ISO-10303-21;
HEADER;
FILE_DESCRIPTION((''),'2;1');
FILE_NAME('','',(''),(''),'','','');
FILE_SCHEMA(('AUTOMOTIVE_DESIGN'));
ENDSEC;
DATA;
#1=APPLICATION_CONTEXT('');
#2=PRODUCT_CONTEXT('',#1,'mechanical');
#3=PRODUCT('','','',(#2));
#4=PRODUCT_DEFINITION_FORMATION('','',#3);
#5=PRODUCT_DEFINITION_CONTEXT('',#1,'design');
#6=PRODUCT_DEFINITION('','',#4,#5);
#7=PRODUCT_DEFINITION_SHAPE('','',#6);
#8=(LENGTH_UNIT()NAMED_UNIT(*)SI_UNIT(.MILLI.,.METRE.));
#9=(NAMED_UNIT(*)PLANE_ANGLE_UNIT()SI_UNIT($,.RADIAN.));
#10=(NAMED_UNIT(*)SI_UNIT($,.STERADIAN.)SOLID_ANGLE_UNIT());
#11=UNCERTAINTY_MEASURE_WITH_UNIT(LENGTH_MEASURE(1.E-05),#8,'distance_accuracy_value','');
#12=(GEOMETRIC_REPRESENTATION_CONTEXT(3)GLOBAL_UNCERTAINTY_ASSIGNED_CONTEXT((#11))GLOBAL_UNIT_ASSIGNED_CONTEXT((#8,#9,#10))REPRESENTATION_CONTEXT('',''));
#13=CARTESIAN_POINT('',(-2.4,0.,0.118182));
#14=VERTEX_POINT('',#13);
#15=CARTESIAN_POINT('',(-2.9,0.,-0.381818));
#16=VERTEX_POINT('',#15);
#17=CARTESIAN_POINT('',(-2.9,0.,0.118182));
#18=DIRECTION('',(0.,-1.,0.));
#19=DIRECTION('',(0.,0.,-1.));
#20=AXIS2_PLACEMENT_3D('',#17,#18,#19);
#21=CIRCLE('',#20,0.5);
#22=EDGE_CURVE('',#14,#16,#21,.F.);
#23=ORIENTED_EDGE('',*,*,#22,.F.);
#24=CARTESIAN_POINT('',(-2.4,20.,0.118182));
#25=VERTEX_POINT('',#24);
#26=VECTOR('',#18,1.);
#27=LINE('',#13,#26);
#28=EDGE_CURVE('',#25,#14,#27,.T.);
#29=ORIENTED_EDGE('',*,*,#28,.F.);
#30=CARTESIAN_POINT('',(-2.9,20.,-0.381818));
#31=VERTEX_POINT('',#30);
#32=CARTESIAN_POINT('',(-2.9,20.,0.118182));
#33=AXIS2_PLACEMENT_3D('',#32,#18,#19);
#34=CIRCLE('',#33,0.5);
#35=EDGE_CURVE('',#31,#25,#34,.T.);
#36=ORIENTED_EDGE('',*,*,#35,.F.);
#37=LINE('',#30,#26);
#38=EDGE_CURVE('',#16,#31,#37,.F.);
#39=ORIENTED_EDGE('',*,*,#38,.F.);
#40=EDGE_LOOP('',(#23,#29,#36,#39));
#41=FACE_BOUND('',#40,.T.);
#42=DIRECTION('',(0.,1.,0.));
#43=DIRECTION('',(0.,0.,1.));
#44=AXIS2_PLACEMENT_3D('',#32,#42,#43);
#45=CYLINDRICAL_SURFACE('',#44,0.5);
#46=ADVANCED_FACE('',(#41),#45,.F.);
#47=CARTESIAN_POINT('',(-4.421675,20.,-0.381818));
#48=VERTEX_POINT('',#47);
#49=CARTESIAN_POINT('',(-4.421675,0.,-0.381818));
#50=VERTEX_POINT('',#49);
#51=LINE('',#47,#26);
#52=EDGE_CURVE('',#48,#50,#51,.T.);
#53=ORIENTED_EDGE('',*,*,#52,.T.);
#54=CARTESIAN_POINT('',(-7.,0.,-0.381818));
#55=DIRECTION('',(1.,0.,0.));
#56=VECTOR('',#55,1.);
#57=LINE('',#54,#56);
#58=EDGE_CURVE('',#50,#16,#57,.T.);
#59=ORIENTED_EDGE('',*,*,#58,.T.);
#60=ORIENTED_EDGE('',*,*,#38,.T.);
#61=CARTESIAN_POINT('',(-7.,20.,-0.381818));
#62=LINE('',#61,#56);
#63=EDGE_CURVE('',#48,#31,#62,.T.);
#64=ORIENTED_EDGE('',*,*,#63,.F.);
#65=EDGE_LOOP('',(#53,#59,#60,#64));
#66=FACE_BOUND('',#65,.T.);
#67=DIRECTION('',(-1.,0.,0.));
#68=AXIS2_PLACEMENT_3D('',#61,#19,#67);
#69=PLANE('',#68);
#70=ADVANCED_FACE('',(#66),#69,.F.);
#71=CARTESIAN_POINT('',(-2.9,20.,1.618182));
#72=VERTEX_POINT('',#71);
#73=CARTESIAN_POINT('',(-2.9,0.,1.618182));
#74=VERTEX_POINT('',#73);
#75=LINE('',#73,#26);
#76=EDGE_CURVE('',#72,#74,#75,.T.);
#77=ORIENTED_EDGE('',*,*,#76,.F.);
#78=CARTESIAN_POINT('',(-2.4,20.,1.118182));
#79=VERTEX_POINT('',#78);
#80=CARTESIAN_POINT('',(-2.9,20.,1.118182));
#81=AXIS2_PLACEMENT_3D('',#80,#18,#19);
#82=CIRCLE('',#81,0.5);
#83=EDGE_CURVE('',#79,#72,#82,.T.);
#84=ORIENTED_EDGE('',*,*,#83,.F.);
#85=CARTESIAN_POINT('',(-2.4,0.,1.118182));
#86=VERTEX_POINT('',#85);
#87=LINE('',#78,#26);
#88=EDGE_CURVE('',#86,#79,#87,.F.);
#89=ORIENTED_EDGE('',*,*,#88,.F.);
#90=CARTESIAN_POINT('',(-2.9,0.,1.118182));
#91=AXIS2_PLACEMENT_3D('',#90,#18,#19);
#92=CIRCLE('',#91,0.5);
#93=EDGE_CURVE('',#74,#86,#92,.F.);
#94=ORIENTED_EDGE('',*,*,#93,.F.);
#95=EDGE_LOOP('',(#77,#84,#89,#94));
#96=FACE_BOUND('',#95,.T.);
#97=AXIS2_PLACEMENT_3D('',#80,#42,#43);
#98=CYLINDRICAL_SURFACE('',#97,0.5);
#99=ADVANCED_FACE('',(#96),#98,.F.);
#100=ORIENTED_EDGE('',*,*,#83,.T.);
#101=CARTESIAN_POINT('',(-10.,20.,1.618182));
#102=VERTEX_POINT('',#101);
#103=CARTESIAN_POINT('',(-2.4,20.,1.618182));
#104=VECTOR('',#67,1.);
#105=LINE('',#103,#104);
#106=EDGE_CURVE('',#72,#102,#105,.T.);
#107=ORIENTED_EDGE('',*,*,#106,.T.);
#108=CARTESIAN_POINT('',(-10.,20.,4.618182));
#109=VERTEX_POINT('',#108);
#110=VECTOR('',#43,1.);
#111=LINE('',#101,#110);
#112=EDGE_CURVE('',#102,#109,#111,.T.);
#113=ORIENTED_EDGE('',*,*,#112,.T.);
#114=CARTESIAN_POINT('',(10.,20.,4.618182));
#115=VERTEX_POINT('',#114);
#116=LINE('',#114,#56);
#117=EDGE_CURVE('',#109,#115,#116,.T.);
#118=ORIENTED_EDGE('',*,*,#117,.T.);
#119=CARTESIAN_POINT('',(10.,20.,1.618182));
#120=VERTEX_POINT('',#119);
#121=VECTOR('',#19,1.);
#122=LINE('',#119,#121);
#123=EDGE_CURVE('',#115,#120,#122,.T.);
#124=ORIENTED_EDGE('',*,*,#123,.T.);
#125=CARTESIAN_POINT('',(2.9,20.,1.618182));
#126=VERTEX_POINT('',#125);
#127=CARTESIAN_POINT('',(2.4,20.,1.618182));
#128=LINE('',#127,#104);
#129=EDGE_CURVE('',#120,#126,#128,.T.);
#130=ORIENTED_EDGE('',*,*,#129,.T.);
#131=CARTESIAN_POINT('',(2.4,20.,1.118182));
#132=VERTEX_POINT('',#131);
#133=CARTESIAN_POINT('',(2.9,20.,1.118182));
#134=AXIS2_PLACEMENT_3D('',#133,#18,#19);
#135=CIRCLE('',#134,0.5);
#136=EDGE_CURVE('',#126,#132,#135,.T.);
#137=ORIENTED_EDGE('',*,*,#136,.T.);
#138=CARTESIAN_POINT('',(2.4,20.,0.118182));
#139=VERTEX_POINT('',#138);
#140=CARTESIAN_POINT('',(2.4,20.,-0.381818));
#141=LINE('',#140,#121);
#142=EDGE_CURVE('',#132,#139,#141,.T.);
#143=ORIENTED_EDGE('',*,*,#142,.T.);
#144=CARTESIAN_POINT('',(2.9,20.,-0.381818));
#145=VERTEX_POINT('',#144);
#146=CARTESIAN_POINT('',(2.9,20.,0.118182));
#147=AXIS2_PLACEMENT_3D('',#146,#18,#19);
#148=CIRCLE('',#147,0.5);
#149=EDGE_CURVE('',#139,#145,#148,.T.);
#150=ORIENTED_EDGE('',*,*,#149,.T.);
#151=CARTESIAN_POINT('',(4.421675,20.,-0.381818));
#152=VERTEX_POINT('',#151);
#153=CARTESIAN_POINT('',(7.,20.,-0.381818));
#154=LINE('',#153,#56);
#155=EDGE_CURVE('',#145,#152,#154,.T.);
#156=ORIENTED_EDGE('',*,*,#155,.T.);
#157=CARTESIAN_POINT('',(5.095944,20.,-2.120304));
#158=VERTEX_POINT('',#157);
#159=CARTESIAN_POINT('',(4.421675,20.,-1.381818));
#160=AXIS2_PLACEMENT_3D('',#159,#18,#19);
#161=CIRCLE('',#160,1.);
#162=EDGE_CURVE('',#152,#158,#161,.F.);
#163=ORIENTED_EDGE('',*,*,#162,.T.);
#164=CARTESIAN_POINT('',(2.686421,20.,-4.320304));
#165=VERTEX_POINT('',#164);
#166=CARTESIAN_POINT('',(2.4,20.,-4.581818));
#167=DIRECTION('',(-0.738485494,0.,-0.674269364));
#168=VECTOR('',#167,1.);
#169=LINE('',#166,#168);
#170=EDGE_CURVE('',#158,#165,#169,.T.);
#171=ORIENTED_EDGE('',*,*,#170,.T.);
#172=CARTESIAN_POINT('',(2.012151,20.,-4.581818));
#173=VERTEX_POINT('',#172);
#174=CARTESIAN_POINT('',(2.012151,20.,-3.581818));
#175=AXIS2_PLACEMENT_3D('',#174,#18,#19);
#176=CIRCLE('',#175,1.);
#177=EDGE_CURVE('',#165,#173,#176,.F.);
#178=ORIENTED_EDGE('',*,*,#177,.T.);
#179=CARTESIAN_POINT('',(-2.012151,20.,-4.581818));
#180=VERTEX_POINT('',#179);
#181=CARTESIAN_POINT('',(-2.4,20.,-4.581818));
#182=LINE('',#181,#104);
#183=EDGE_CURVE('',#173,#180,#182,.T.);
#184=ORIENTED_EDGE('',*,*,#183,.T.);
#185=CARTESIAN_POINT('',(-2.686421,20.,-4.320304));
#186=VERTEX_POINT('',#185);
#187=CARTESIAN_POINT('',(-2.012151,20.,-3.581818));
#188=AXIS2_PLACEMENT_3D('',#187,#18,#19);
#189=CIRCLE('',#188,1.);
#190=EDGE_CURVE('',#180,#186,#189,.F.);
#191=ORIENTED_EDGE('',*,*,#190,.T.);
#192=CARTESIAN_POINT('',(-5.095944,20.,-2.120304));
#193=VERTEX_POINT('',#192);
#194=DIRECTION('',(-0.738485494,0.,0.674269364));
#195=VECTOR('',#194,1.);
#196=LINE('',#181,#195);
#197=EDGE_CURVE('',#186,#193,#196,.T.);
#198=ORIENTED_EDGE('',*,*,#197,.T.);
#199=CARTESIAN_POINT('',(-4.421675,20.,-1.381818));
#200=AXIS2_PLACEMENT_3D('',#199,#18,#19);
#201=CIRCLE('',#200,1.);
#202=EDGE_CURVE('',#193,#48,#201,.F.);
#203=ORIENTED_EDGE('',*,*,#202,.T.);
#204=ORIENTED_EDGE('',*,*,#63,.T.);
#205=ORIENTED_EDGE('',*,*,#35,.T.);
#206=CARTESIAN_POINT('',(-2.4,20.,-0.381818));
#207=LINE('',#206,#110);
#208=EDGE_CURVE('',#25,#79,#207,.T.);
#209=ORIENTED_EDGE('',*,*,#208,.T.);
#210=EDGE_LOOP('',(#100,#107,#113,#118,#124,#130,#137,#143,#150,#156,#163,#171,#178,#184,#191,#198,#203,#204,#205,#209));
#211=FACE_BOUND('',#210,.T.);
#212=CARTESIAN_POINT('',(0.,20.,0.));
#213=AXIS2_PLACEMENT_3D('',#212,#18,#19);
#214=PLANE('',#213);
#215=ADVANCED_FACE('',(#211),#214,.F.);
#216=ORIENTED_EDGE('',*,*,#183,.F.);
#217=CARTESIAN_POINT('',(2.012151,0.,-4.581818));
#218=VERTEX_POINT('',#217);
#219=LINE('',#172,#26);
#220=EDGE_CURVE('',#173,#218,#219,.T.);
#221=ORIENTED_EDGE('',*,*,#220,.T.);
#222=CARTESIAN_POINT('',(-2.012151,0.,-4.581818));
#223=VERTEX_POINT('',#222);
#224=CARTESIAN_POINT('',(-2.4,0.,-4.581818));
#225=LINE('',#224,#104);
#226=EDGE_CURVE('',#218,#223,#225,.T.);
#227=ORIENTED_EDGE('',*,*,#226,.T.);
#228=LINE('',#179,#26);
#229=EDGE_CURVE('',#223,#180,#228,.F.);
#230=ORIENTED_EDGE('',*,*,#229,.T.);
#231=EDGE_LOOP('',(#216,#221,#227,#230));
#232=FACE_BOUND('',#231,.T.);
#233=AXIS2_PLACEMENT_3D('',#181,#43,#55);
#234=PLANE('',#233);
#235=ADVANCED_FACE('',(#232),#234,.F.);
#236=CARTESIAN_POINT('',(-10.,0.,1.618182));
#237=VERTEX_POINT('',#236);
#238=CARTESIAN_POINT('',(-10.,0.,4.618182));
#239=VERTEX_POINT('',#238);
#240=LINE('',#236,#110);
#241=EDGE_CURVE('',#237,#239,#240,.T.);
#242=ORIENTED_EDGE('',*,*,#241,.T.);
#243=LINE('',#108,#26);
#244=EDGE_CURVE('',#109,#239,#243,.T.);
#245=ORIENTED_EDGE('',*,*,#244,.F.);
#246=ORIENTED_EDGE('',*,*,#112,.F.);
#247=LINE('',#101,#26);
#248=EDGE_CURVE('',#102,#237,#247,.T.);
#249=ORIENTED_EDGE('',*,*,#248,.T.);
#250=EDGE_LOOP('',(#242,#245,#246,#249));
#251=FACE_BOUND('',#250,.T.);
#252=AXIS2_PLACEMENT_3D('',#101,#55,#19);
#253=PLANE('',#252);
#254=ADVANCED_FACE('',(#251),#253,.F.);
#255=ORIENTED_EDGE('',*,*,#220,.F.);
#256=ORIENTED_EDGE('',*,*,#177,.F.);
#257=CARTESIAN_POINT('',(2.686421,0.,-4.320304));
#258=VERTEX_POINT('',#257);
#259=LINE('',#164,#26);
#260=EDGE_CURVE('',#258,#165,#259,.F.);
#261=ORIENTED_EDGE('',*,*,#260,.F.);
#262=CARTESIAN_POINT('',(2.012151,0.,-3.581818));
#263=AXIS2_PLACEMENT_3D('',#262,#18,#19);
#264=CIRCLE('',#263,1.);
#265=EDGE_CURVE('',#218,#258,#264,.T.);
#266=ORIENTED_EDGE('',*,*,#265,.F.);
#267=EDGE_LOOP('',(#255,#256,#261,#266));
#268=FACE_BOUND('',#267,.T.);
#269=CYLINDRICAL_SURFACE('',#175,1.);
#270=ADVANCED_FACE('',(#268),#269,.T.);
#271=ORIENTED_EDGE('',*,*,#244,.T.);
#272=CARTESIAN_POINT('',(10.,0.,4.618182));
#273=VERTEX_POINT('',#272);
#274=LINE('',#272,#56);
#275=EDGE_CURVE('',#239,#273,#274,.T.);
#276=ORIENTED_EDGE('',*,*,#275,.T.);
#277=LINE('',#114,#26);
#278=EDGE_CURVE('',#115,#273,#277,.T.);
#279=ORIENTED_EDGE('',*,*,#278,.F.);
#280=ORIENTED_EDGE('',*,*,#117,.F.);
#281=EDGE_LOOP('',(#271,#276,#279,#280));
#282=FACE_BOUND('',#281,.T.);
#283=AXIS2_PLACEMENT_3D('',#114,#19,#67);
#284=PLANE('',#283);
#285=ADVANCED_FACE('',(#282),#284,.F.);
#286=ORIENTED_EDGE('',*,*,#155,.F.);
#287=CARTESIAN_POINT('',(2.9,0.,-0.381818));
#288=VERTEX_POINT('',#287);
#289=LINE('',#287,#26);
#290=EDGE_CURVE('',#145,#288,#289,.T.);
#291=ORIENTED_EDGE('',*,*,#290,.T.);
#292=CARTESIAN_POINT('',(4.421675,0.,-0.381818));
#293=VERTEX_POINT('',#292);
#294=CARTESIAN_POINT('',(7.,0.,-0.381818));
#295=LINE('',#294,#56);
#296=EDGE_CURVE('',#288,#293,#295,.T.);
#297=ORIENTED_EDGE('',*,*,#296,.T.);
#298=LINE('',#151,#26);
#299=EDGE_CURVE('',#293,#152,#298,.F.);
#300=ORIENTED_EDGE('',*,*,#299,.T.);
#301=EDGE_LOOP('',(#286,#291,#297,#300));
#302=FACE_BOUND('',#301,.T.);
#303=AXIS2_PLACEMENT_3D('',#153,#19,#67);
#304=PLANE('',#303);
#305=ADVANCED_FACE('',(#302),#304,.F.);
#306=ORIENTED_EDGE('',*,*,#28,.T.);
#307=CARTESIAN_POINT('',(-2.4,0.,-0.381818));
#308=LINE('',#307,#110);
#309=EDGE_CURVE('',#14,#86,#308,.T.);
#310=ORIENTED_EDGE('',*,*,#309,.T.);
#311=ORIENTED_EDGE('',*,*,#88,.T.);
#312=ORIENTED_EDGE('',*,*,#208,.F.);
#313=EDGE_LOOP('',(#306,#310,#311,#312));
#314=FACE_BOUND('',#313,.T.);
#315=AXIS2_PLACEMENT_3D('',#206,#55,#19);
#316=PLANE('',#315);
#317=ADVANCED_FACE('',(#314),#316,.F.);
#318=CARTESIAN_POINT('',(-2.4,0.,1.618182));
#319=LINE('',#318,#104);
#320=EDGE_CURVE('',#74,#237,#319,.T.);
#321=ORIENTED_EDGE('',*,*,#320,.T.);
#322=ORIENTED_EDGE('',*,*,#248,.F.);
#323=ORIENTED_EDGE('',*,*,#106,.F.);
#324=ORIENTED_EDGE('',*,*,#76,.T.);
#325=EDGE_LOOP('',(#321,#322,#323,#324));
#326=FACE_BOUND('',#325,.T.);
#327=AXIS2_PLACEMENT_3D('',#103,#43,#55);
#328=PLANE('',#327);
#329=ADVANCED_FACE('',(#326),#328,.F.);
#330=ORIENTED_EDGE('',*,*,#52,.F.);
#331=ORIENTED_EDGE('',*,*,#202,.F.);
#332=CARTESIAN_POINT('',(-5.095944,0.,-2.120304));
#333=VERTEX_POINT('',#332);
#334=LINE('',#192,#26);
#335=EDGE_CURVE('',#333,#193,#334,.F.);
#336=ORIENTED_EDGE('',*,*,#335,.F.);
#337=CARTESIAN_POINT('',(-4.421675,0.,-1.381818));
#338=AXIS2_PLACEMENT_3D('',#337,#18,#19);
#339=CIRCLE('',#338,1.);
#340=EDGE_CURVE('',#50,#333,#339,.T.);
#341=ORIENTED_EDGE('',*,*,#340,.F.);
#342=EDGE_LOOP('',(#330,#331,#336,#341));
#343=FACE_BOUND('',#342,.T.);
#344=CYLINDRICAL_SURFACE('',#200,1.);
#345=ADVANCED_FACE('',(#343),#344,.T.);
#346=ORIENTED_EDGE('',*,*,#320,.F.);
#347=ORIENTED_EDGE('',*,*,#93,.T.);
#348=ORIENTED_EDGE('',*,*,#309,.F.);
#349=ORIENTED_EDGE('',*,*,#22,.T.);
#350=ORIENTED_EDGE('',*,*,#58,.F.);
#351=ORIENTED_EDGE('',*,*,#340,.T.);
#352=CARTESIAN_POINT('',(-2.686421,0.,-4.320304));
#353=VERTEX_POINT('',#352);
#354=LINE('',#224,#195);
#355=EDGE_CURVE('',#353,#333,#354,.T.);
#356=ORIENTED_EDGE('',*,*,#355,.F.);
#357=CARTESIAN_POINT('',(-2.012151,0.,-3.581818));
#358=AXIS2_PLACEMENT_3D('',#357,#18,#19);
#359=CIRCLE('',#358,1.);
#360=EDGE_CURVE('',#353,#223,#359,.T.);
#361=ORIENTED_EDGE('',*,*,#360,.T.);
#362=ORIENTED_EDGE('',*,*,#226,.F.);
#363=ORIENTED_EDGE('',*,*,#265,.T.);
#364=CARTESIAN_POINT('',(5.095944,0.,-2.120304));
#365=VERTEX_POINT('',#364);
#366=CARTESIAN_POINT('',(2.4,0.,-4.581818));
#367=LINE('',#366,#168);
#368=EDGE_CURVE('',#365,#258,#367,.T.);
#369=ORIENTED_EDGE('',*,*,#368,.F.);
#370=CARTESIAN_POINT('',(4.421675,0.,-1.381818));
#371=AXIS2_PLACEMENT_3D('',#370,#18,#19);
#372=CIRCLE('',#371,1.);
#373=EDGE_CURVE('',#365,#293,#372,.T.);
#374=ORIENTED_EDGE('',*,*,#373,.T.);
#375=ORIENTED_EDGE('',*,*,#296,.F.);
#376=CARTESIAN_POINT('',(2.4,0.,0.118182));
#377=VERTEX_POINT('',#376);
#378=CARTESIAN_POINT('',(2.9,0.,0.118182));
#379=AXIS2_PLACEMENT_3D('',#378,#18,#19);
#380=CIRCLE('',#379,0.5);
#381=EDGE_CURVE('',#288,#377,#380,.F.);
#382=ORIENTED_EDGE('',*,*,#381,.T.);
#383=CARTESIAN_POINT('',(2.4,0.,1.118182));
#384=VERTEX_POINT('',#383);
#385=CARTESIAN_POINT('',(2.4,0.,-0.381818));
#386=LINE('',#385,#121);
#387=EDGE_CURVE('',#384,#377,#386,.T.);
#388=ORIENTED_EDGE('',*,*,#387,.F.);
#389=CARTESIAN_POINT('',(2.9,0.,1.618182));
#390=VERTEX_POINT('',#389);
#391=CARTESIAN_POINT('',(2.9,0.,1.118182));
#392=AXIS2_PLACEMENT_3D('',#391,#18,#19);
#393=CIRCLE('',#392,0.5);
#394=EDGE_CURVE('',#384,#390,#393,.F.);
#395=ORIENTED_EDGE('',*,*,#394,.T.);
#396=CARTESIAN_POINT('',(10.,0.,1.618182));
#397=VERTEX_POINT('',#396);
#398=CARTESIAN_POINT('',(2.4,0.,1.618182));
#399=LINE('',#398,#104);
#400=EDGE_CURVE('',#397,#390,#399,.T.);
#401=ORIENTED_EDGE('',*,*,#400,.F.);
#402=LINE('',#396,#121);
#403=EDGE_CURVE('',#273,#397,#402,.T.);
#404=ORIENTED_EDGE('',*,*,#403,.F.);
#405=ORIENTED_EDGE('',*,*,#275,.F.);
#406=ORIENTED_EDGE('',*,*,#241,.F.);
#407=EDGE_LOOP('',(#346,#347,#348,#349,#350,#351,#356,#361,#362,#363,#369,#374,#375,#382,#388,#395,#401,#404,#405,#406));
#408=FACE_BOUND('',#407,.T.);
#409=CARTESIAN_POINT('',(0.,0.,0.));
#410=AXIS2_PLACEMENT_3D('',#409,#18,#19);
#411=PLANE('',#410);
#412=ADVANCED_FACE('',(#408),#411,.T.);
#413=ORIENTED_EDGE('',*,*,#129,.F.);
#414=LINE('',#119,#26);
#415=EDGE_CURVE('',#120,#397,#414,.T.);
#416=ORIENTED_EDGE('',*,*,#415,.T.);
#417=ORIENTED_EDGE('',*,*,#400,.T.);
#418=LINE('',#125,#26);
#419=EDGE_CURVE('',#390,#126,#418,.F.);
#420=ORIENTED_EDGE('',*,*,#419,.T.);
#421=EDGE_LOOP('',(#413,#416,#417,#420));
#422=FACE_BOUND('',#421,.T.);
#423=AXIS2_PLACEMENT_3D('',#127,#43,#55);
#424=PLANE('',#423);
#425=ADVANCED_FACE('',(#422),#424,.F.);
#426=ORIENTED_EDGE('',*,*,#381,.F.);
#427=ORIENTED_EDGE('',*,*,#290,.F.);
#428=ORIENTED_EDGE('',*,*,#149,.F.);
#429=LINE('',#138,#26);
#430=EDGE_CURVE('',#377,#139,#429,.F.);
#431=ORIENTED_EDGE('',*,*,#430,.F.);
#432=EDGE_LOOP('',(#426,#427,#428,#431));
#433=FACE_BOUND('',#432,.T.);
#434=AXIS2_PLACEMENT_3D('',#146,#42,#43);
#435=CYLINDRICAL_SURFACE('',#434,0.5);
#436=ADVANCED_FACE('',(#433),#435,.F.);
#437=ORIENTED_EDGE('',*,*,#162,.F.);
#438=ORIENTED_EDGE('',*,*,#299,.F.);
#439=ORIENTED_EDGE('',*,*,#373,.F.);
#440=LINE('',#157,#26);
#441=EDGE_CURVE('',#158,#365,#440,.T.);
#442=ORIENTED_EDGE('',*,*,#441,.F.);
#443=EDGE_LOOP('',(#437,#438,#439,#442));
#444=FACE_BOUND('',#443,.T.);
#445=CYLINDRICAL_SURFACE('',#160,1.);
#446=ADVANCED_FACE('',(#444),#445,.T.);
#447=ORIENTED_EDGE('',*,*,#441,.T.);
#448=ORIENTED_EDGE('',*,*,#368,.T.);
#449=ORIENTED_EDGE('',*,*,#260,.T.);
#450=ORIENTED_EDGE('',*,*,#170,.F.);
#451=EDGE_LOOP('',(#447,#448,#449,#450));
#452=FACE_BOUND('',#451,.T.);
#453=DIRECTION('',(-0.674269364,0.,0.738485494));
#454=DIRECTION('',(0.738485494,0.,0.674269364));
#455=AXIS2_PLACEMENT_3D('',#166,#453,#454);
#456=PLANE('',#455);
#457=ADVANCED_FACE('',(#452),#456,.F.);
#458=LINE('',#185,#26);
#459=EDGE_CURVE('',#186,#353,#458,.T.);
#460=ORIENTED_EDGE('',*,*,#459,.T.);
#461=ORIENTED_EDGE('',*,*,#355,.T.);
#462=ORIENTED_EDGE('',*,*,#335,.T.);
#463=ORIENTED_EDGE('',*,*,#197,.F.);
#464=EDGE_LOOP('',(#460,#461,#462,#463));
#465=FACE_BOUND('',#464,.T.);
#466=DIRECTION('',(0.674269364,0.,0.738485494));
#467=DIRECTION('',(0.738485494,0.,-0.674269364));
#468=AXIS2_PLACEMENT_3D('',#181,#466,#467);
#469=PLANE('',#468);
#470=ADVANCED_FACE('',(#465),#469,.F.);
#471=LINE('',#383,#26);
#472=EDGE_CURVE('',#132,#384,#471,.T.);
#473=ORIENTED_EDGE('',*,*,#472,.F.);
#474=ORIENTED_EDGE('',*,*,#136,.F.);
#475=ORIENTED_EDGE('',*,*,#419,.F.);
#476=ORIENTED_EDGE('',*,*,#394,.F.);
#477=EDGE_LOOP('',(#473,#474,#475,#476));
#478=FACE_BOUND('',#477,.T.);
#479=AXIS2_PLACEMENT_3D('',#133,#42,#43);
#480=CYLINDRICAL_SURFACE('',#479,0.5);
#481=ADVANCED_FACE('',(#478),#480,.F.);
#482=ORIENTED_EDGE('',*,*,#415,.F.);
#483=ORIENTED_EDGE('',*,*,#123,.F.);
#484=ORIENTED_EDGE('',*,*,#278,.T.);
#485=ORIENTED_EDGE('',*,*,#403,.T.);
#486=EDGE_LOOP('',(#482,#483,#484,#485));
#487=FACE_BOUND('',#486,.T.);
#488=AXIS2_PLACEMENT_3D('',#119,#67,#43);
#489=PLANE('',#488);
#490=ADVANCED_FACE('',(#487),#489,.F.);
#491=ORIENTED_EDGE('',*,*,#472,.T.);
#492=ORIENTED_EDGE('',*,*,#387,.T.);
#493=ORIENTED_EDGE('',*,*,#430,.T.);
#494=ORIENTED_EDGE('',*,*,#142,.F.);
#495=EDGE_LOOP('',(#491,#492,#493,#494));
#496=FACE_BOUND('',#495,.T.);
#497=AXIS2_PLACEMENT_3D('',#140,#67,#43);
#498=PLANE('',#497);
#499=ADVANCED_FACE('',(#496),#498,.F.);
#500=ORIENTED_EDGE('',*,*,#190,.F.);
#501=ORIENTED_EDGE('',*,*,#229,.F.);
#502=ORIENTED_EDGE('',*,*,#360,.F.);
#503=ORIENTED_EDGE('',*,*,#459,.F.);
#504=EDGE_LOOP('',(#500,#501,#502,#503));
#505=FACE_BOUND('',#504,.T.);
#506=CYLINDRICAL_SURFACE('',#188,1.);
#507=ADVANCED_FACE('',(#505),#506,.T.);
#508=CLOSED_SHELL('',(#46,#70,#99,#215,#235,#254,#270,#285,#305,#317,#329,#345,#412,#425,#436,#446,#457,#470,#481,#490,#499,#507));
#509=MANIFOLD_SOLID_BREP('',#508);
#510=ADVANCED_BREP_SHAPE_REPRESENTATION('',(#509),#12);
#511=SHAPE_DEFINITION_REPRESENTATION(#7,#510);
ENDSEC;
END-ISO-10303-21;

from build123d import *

# Parameters (mm, degrees)
BOSS_EXTRUDE1_DEPTH = 20
FILLET1_R           = 1
FILLET2_R           = 0.5


with BuildPart() as part:
    # Sketch1 → Boss-Extrude1 (new body)
    with BuildSketch(Plane(origin=(0, 0, 0), x_dir=(1, 0, 0), z_dir=(0, 1, 0))):
        Polygon((-2.4, 4.581818182), (2.4, 4.581818182), (7, 0.381818182), (2.4, 0.381818182), (2.4, -1.618181818), (10, -1.618181818), (10, -4.618181818), (-10, -4.618181818), (-10, -1.618181818), (-2.4, -1.618181818), (-2.4, 0.381818182), (-7, 0.381818182), align=None)
    extrude(amount=BOSS_EXTRUDE1_DEPTH)

    # Fillet1
    fillet1_edges = [part.edges().sort_by_distance(p)[0] for p in [
        (7, 10, -0.381818182),
        (-7, 10, -0.381818182),
        (-2.4, 10, -4.581818182),
        (2.4, 10, -4.581818182),
    ]]
    fillet(fillet1_edges, radius=FILLET1_R)

    # Fillet2
    fillet2_edges = [part.edges().sort_by_distance(p)[0] for p in [
        (2.4, 10, -0.381818182),
        (2.4, 10, 1.618181818),
        (-2.4, 10, 1.618181818),
        (-2.4, 10, -0.381818182),
    ]]
    fillet(fillet2_edges, radius=FILLET2_R)


solid = part.part
